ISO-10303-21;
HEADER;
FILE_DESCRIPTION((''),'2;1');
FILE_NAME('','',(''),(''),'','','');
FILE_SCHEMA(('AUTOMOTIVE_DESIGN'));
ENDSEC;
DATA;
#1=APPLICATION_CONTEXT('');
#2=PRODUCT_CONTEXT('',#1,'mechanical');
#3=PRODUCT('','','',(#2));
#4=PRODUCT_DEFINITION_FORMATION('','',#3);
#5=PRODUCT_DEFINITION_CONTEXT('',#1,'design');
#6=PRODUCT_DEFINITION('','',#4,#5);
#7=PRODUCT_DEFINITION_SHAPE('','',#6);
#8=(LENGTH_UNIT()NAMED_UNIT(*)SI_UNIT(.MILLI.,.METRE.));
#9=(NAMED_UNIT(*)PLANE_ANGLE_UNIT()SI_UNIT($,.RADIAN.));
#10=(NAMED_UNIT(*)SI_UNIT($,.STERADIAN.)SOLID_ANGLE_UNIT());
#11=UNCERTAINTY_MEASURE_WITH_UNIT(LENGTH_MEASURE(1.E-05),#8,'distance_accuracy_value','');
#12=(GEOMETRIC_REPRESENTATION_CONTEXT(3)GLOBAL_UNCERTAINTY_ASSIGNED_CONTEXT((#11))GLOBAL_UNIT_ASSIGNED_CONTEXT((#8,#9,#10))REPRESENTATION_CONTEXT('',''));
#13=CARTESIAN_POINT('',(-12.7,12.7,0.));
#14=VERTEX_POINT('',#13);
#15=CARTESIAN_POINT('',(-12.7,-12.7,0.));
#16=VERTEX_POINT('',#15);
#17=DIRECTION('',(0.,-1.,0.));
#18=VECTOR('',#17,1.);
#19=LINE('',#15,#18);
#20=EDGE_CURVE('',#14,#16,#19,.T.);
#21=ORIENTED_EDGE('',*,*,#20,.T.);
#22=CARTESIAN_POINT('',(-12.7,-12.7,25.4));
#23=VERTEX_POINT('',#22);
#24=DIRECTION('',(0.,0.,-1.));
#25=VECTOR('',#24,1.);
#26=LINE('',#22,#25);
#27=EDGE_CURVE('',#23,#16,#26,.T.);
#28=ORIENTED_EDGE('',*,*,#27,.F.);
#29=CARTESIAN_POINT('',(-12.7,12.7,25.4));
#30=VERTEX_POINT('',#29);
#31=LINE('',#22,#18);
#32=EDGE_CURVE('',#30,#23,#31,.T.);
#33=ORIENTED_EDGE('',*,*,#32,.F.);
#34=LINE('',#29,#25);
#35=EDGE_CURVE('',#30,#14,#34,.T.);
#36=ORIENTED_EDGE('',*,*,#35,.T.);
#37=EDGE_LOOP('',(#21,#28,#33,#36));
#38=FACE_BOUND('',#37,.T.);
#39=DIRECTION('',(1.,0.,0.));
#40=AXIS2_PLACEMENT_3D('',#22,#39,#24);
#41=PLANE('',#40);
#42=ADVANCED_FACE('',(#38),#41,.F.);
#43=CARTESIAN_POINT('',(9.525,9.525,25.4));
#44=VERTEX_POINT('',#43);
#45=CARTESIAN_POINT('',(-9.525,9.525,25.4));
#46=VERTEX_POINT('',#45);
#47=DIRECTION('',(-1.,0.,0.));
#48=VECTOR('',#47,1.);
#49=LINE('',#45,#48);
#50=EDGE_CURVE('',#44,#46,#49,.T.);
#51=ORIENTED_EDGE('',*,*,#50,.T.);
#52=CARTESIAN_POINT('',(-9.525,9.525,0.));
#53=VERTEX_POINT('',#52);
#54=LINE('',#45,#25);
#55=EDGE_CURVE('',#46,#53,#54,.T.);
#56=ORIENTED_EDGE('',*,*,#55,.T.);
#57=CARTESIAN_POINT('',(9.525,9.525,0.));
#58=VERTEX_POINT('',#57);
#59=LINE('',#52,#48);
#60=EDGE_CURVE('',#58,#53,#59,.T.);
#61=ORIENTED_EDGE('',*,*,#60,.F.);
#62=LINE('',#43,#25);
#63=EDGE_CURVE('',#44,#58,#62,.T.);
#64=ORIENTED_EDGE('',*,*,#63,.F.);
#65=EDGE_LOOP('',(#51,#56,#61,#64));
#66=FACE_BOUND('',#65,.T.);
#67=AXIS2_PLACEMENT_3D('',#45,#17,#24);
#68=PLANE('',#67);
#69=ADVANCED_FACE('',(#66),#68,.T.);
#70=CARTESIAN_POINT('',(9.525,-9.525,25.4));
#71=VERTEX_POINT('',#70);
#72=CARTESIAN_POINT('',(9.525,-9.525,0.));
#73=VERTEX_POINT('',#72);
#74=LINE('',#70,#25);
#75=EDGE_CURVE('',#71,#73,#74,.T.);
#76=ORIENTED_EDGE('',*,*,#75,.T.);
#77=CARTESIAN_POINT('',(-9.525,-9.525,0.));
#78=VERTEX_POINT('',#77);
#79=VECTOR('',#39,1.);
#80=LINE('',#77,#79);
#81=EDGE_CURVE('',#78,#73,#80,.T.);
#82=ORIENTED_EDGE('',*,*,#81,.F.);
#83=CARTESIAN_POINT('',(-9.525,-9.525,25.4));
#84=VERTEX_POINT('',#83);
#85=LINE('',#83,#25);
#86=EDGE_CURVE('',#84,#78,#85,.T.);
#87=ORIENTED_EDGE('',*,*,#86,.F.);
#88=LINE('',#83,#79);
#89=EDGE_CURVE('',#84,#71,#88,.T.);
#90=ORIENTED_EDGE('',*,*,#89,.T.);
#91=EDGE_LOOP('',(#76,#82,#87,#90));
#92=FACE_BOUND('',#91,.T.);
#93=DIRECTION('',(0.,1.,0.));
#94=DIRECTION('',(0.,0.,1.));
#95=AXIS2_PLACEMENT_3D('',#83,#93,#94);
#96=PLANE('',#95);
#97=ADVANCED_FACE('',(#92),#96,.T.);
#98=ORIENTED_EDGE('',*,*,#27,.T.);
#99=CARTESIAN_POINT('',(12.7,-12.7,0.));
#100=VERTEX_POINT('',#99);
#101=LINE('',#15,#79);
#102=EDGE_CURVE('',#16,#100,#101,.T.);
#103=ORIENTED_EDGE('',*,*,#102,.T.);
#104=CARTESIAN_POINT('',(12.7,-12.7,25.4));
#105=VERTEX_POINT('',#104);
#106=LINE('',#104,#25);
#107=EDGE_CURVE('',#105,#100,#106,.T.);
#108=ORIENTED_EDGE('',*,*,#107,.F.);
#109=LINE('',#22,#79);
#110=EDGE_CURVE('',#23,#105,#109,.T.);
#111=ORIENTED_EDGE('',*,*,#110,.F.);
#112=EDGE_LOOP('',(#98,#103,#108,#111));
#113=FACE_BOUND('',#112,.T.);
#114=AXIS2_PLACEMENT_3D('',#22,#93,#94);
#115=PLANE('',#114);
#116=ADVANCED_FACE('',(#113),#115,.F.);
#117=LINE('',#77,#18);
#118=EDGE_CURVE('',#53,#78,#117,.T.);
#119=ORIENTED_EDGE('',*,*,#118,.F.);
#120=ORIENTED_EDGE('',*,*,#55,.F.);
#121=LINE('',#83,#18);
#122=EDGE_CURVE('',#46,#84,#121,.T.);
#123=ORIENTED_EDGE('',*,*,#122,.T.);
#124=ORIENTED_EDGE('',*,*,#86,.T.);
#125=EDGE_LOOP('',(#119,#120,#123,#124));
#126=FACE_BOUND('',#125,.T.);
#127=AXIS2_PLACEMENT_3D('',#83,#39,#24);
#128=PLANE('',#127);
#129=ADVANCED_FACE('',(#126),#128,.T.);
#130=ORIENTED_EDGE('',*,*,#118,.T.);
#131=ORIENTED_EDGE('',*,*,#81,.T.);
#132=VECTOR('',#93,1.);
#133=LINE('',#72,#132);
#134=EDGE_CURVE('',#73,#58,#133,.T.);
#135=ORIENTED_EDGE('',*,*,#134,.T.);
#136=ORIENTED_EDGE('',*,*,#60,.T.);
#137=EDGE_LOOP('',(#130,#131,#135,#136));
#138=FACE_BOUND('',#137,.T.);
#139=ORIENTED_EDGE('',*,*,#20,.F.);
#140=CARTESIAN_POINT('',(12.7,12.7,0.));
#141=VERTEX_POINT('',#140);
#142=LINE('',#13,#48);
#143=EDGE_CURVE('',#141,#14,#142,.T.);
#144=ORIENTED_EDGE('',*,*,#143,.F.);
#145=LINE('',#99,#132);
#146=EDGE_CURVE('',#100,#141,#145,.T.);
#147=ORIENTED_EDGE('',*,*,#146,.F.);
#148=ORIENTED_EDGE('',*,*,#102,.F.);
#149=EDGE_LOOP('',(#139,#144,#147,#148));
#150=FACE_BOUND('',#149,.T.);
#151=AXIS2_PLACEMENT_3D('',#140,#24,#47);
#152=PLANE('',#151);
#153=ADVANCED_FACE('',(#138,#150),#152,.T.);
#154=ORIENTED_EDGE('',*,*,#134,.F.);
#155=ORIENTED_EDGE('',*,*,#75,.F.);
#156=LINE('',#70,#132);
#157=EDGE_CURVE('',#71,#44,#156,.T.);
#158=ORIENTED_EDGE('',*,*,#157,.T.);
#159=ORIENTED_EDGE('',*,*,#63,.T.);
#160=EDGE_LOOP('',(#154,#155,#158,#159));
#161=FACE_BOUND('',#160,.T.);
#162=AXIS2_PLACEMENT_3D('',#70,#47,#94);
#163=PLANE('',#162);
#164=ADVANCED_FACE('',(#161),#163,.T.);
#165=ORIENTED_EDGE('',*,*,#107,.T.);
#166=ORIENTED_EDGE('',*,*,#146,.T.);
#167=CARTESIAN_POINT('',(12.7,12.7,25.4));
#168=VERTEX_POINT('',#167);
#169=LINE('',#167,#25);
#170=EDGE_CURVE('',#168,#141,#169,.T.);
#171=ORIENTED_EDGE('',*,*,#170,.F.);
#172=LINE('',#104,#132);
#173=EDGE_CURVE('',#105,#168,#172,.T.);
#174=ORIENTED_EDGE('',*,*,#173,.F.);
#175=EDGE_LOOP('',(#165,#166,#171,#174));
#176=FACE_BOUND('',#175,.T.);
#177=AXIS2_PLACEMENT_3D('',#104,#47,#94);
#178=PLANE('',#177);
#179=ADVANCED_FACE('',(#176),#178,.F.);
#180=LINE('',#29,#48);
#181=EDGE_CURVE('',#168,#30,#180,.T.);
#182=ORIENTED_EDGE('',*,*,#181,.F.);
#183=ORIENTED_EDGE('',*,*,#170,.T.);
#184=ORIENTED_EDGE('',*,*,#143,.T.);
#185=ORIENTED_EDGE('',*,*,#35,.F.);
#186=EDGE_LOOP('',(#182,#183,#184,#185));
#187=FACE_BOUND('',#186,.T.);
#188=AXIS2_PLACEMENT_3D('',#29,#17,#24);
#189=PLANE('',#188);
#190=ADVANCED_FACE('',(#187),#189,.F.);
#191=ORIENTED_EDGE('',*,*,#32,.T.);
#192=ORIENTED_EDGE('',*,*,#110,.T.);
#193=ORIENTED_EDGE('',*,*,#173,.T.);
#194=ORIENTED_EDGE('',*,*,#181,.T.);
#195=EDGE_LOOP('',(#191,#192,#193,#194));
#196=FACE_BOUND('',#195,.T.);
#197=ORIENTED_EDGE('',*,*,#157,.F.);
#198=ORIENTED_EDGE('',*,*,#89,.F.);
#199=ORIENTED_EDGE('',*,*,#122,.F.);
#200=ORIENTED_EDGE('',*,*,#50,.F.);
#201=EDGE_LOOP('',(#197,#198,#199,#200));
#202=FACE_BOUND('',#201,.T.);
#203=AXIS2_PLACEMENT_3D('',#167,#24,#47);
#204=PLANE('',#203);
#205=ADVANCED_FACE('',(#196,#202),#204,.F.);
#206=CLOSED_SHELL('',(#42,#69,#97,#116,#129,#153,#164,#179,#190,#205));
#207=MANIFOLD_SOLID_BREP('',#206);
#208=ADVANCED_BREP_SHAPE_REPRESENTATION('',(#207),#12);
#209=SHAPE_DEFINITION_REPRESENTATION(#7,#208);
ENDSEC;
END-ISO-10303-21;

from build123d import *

# Parameters (mm, degrees)
SKETCH1_W           = 25.4
SKETCH1_H           = 25.4
SKETCH1_W_2         = 19.05
SKETCH1_H_2         = 19.05
BOSS_EXTRUDE1_DEPTH = 25.4


with BuildPart() as part:
    # Sketch1 → Boss-Extrude1 (new body)
    with BuildSketch(Plane.XY):
        Rectangle(SKETCH1_W, SKETCH1_H)
        Rectangle(SKETCH1_W_2, SKETCH1_H_2, mode=Mode.SUBTRACT)
    extrude(amount=BOSS_EXTRUDE1_DEPTH)


solid = part.part
